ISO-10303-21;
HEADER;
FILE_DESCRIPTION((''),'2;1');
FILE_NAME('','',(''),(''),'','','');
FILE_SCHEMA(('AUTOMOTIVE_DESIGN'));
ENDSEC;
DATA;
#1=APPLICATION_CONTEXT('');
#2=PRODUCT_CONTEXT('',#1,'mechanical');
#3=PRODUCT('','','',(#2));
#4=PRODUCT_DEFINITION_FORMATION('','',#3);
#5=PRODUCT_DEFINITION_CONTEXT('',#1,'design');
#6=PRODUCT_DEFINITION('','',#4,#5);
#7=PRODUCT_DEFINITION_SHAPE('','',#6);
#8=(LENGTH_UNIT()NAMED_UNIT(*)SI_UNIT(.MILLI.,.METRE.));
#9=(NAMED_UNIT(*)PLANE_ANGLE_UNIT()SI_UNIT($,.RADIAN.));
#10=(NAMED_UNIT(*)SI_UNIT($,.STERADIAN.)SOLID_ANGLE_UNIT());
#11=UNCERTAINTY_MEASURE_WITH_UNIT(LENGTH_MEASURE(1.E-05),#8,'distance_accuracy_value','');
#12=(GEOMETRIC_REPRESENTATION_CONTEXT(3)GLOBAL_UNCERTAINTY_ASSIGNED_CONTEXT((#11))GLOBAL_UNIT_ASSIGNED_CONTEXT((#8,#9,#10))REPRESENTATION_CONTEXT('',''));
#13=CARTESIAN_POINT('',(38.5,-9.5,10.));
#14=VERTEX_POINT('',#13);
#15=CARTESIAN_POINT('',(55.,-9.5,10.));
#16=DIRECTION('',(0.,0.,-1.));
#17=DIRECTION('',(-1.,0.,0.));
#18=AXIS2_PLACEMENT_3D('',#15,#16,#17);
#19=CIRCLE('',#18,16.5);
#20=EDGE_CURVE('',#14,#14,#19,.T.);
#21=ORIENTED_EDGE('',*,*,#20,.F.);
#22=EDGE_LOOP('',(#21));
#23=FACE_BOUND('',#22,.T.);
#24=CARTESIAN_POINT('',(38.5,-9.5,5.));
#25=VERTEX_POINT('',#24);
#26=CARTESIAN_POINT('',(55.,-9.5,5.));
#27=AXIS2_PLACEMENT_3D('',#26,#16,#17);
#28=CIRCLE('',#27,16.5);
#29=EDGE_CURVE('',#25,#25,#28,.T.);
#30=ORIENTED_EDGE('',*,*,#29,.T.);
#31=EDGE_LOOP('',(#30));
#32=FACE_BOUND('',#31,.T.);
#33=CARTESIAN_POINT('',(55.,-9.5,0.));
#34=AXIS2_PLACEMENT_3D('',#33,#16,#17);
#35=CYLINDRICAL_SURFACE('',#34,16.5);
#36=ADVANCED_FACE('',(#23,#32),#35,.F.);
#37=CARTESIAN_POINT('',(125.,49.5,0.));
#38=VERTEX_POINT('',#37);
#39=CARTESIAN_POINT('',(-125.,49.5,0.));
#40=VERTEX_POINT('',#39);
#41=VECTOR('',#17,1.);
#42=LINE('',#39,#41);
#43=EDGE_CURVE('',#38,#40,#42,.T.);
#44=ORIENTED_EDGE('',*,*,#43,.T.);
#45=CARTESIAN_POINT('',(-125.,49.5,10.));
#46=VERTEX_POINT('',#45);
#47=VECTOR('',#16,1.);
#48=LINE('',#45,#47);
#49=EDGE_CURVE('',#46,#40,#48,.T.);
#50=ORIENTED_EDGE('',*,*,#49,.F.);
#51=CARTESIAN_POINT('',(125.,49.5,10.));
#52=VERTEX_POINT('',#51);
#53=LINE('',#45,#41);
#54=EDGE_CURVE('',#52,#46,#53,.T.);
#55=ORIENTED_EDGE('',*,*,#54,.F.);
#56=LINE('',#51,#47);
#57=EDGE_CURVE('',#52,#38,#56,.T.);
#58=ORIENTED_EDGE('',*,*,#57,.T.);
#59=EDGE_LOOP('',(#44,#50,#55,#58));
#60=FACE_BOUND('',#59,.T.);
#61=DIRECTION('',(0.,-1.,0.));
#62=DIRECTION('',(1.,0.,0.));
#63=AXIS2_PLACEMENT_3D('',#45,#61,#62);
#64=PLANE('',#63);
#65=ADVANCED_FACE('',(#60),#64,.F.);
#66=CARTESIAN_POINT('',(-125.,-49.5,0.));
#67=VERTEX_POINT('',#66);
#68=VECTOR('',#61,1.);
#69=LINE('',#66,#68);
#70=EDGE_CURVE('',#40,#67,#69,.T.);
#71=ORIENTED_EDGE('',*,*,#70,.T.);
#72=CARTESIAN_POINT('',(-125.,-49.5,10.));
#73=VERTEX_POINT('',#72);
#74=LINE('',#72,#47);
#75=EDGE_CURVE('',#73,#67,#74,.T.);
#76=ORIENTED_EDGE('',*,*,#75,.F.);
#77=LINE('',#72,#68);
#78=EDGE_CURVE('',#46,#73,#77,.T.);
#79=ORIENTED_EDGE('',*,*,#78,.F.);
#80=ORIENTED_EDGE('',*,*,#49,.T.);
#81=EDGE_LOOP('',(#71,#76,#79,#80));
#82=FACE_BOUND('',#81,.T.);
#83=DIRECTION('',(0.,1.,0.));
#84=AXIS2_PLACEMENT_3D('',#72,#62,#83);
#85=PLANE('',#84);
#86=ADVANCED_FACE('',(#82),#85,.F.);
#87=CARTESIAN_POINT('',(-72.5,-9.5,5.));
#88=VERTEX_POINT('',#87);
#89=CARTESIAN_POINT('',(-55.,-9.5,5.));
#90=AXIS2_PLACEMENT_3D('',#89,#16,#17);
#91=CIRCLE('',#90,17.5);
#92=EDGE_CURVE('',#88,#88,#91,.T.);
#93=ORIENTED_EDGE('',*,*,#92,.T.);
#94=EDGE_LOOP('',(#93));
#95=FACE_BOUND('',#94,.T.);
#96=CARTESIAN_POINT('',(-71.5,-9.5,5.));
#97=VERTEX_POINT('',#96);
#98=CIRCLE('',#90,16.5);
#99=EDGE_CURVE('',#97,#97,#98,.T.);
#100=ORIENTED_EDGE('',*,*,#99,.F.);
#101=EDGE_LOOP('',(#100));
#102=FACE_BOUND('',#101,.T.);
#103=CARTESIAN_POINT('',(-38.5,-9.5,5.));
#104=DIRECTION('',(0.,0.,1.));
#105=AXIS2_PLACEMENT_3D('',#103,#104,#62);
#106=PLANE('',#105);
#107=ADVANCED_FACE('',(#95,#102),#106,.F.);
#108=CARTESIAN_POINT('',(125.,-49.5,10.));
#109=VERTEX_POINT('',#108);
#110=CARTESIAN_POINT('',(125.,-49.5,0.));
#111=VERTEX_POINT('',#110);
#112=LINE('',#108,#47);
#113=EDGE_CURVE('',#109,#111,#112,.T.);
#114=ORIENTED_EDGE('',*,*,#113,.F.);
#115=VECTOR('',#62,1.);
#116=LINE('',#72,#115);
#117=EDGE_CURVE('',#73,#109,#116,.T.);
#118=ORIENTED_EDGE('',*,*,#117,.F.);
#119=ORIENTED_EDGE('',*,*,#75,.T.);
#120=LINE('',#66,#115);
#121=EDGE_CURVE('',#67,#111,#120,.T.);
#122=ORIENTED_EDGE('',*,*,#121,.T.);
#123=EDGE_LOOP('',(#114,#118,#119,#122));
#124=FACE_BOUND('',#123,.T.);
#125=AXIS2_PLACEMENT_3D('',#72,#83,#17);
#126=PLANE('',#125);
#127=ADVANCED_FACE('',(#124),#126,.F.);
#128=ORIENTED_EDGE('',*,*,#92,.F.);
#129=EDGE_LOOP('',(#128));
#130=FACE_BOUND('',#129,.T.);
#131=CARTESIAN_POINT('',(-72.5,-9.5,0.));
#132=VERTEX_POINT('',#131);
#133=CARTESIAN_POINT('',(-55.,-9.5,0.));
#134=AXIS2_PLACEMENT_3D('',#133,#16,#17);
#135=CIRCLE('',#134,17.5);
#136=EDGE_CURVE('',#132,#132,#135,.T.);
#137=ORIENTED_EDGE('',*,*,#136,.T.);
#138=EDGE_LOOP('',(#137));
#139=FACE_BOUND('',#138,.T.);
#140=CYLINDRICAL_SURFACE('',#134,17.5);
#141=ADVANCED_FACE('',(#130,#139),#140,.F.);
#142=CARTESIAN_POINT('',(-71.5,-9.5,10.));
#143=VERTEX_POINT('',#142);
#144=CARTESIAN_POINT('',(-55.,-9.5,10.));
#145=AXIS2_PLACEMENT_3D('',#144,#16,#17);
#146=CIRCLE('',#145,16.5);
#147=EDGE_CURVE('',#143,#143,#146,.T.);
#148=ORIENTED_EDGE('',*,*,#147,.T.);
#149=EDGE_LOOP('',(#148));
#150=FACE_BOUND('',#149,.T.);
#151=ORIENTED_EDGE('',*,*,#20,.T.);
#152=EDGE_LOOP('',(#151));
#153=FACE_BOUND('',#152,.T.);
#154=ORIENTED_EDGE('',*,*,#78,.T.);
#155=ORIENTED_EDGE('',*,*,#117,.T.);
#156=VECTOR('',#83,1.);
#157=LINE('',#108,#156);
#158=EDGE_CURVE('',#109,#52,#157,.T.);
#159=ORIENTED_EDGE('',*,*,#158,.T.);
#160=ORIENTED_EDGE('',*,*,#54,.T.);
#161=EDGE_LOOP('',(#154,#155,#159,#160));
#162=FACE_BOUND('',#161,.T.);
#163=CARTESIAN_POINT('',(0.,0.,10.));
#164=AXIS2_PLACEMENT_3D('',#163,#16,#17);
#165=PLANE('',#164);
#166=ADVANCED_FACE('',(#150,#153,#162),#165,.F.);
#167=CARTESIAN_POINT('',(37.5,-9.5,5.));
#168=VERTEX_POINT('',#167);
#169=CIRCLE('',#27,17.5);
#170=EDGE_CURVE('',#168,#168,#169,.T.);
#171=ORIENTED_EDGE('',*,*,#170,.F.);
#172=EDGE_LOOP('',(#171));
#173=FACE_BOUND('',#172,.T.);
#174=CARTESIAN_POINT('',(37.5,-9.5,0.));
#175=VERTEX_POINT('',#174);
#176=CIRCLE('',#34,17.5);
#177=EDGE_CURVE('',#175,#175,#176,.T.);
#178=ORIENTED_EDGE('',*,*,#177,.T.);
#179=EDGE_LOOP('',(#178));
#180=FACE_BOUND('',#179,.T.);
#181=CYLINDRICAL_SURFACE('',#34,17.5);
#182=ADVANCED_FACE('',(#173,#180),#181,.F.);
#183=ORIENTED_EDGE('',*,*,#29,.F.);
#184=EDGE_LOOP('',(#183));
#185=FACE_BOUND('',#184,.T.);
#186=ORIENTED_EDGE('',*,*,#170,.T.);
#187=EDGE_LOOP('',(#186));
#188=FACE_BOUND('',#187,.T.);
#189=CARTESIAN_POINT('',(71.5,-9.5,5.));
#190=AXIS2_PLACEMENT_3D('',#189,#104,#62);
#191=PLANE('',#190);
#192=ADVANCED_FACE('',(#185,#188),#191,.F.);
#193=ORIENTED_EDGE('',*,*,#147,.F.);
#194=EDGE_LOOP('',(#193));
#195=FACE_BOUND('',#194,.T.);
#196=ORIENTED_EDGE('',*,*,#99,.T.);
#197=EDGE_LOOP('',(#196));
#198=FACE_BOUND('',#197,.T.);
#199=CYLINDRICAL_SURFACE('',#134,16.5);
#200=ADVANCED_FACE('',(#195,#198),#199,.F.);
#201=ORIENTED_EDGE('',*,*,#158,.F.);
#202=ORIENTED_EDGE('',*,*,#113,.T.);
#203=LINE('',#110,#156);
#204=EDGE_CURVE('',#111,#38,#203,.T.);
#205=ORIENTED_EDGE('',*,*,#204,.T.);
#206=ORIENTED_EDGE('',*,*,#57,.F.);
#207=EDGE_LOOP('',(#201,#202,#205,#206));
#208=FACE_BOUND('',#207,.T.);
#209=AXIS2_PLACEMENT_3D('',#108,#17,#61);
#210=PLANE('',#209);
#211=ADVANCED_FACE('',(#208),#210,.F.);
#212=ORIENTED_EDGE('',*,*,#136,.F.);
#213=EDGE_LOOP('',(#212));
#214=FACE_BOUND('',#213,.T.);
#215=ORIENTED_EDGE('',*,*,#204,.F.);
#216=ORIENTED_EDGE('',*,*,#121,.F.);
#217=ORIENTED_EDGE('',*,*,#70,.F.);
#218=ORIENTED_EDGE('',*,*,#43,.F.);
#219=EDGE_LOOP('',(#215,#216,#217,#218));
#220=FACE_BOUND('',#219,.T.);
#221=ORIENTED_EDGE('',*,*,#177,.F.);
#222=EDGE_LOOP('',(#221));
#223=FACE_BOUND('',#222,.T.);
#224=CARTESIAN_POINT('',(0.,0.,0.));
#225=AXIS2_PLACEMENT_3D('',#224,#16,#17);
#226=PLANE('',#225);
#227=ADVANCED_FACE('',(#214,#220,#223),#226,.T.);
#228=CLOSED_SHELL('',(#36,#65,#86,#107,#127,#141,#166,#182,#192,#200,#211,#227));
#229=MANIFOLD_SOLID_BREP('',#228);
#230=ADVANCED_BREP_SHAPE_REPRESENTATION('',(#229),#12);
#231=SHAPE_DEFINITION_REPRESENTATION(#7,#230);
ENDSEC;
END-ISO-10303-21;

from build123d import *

# Parameters (mm, degrees)
SKETCH1_W                               = 250
SKETCH1_H                               = 99
BOSS_EXTRUDE1_DEPTH                     = 10
CBORE_FOR_M5_HEX_HEAD_BOLT1_D           = 33
CBORE_FOR_M5_HEX_HEAD_BOLT1_CBORE_D     = 35
CBORE_FOR_M5_HEX_HEAD_BOLT1_CBORE_DEPTH = 5


with BuildPart() as part:
    # Sketch1 → Boss-Extrude1 (new body)
    with BuildSketch(Plane.XY):
        Rectangle(SKETCH1_W, SKETCH1_H)
    extrude(amount=BOSS_EXTRUDE1_DEPTH)

    # CBORE for M5 Hex Head Bolt1 (through all)
    with Locations(Plane(origin=(0, 0, 0), x_dir=(-1, 0, 0), z_dir=(0, 0, -1))):
        with Locations((-55, -9.5)):
            cbore_for_m5_hex_head_bolt1 = CounterBoreHole(CBORE_FOR_M5_HEX_HEAD_BOLT1_D / 2, CBORE_FOR_M5_HEX_HEAD_BOLT1_CBORE_D / 2, CBORE_FOR_M5_HEX_HEAD_BOLT1_CBORE_DEPTH)

    # Mirror1: CBORE for M5 Hex Head Bolt1 across plane
    add(cbore_for_m5_hex_head_bolt1.mirror(Plane(origin=(0, 0, 0), x_dir=(0, 0, 1), z_dir=(1, 0, 0))), mode=Mode.SUBTRACT)


solid = part.part
